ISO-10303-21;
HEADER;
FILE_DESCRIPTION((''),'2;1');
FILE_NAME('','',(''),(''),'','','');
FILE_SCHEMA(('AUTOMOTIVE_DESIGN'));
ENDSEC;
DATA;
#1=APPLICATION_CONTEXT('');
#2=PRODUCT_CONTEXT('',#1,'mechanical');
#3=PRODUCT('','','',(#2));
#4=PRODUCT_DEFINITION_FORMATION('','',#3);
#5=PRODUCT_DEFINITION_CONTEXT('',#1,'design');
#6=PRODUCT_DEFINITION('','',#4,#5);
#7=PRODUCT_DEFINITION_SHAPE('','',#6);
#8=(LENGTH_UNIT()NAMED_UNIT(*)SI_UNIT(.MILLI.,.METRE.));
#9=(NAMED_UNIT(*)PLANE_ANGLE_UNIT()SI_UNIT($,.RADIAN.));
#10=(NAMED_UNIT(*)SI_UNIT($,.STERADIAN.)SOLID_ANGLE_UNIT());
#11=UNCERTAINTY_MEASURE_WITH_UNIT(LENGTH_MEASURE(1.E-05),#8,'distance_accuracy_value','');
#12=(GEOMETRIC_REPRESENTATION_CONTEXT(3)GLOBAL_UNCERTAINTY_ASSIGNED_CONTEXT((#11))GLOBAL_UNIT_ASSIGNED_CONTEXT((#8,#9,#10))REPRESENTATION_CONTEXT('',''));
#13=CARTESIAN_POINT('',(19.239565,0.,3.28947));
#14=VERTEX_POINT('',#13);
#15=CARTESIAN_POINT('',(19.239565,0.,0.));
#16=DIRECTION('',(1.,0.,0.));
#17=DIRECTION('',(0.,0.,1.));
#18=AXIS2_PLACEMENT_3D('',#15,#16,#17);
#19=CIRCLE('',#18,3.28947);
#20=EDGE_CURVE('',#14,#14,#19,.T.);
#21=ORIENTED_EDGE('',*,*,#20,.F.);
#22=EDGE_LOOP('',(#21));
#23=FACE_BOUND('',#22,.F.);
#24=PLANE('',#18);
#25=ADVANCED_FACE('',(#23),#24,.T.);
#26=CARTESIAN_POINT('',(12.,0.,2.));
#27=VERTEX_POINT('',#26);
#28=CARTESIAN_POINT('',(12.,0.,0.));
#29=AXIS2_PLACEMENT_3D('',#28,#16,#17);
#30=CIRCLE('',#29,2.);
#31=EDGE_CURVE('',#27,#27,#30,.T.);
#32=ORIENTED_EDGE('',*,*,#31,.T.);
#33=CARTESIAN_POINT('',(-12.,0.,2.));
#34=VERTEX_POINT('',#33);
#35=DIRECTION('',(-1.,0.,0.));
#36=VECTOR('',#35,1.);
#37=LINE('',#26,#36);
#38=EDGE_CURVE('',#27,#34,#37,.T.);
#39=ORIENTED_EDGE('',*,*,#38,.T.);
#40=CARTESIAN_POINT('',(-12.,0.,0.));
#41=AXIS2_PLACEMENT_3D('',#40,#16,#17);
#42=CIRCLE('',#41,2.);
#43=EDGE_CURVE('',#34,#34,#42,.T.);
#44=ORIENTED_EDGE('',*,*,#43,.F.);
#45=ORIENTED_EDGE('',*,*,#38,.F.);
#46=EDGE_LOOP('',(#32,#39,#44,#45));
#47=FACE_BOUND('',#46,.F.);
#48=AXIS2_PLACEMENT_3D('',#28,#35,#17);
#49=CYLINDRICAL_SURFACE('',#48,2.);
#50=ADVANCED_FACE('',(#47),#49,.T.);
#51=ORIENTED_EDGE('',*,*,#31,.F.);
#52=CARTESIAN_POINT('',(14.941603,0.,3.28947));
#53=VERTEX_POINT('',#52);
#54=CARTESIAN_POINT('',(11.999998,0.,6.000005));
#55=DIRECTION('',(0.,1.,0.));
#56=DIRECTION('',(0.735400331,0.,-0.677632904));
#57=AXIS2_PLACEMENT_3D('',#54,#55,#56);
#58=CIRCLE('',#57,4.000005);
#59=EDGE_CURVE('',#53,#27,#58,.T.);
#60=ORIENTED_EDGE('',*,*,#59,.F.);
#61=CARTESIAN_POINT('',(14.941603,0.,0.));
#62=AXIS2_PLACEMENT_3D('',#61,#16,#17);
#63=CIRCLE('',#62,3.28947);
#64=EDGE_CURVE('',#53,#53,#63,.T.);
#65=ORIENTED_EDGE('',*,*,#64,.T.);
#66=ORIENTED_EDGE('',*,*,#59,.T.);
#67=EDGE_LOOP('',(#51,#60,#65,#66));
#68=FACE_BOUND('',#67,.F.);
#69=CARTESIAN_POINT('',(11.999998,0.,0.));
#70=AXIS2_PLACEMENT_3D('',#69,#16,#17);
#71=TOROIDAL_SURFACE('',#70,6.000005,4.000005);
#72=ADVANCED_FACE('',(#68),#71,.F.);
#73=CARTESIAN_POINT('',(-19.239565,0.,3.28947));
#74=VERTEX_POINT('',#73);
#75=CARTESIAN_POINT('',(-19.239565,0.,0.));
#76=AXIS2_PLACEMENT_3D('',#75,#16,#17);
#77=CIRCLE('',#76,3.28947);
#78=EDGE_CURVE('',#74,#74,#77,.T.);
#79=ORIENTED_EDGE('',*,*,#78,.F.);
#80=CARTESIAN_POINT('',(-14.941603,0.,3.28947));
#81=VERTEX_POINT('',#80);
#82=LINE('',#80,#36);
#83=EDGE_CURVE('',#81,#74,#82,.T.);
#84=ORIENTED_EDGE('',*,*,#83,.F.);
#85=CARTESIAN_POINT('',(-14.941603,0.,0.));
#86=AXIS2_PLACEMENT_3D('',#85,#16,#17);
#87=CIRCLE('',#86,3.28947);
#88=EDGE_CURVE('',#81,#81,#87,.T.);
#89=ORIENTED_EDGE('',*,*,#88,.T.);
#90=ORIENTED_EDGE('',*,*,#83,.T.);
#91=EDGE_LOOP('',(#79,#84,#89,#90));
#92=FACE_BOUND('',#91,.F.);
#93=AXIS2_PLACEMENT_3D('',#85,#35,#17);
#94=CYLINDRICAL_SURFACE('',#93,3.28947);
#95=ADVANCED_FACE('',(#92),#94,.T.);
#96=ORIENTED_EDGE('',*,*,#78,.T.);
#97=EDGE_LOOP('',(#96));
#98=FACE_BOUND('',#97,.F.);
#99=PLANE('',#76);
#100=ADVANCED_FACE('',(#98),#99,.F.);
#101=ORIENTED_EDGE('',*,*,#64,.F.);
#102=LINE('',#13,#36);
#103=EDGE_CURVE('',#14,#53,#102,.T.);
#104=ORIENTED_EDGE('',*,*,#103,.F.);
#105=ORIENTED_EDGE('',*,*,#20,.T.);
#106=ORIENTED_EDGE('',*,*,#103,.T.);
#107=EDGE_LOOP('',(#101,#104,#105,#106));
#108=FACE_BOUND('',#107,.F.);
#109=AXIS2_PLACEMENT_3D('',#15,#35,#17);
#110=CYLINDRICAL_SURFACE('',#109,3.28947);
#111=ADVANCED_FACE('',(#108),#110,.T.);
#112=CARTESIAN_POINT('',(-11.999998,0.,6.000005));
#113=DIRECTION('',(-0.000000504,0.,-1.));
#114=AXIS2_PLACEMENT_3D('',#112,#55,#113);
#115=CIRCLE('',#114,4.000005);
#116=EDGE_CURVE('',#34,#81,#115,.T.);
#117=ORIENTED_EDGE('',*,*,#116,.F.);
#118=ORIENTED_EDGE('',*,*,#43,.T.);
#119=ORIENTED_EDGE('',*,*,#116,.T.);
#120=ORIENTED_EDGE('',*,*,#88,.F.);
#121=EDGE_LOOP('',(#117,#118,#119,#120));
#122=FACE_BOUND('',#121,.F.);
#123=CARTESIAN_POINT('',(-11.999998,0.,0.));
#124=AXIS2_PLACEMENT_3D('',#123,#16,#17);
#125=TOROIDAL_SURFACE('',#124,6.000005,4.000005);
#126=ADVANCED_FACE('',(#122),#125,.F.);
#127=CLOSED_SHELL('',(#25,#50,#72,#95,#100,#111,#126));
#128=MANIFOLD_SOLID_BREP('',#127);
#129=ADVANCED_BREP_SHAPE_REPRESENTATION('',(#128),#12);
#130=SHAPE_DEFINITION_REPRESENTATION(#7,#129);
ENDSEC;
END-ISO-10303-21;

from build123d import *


with BuildPart() as f1:
    # F0 (on Front) → F1 (revolve)
    with BuildSketch(Plane.XZ):
        with BuildLine():
            Line((12, 2), (0, 2))
            Line((0, 2), (-12, 2))
            ThreePointArc((-12, 2), (-13.605908, 2.336524), (-14.941603, 3.28947))
            Line((-14.941603, 3.28947), (-19.239565, 3.28947))
            Line((-19.239565, 3.28947), (-19.239565, 0))
            Line((-19.239565, 0), (0, 0))
            Line((0, 0), (19.239565, 0))
            Line((19.239565, 0), (19.239565, 3.28947))
            Line((19.239565, 3.28947), (14.941603, 3.28947))
            ThreePointArc((14.941603, 3.28947), (13.605908, 2.336524), (12, 2))
        make_face()
    revolve(axis=Axis((-9.619783, 0, 0), (1, 0, 0)))


solid = f1.part
